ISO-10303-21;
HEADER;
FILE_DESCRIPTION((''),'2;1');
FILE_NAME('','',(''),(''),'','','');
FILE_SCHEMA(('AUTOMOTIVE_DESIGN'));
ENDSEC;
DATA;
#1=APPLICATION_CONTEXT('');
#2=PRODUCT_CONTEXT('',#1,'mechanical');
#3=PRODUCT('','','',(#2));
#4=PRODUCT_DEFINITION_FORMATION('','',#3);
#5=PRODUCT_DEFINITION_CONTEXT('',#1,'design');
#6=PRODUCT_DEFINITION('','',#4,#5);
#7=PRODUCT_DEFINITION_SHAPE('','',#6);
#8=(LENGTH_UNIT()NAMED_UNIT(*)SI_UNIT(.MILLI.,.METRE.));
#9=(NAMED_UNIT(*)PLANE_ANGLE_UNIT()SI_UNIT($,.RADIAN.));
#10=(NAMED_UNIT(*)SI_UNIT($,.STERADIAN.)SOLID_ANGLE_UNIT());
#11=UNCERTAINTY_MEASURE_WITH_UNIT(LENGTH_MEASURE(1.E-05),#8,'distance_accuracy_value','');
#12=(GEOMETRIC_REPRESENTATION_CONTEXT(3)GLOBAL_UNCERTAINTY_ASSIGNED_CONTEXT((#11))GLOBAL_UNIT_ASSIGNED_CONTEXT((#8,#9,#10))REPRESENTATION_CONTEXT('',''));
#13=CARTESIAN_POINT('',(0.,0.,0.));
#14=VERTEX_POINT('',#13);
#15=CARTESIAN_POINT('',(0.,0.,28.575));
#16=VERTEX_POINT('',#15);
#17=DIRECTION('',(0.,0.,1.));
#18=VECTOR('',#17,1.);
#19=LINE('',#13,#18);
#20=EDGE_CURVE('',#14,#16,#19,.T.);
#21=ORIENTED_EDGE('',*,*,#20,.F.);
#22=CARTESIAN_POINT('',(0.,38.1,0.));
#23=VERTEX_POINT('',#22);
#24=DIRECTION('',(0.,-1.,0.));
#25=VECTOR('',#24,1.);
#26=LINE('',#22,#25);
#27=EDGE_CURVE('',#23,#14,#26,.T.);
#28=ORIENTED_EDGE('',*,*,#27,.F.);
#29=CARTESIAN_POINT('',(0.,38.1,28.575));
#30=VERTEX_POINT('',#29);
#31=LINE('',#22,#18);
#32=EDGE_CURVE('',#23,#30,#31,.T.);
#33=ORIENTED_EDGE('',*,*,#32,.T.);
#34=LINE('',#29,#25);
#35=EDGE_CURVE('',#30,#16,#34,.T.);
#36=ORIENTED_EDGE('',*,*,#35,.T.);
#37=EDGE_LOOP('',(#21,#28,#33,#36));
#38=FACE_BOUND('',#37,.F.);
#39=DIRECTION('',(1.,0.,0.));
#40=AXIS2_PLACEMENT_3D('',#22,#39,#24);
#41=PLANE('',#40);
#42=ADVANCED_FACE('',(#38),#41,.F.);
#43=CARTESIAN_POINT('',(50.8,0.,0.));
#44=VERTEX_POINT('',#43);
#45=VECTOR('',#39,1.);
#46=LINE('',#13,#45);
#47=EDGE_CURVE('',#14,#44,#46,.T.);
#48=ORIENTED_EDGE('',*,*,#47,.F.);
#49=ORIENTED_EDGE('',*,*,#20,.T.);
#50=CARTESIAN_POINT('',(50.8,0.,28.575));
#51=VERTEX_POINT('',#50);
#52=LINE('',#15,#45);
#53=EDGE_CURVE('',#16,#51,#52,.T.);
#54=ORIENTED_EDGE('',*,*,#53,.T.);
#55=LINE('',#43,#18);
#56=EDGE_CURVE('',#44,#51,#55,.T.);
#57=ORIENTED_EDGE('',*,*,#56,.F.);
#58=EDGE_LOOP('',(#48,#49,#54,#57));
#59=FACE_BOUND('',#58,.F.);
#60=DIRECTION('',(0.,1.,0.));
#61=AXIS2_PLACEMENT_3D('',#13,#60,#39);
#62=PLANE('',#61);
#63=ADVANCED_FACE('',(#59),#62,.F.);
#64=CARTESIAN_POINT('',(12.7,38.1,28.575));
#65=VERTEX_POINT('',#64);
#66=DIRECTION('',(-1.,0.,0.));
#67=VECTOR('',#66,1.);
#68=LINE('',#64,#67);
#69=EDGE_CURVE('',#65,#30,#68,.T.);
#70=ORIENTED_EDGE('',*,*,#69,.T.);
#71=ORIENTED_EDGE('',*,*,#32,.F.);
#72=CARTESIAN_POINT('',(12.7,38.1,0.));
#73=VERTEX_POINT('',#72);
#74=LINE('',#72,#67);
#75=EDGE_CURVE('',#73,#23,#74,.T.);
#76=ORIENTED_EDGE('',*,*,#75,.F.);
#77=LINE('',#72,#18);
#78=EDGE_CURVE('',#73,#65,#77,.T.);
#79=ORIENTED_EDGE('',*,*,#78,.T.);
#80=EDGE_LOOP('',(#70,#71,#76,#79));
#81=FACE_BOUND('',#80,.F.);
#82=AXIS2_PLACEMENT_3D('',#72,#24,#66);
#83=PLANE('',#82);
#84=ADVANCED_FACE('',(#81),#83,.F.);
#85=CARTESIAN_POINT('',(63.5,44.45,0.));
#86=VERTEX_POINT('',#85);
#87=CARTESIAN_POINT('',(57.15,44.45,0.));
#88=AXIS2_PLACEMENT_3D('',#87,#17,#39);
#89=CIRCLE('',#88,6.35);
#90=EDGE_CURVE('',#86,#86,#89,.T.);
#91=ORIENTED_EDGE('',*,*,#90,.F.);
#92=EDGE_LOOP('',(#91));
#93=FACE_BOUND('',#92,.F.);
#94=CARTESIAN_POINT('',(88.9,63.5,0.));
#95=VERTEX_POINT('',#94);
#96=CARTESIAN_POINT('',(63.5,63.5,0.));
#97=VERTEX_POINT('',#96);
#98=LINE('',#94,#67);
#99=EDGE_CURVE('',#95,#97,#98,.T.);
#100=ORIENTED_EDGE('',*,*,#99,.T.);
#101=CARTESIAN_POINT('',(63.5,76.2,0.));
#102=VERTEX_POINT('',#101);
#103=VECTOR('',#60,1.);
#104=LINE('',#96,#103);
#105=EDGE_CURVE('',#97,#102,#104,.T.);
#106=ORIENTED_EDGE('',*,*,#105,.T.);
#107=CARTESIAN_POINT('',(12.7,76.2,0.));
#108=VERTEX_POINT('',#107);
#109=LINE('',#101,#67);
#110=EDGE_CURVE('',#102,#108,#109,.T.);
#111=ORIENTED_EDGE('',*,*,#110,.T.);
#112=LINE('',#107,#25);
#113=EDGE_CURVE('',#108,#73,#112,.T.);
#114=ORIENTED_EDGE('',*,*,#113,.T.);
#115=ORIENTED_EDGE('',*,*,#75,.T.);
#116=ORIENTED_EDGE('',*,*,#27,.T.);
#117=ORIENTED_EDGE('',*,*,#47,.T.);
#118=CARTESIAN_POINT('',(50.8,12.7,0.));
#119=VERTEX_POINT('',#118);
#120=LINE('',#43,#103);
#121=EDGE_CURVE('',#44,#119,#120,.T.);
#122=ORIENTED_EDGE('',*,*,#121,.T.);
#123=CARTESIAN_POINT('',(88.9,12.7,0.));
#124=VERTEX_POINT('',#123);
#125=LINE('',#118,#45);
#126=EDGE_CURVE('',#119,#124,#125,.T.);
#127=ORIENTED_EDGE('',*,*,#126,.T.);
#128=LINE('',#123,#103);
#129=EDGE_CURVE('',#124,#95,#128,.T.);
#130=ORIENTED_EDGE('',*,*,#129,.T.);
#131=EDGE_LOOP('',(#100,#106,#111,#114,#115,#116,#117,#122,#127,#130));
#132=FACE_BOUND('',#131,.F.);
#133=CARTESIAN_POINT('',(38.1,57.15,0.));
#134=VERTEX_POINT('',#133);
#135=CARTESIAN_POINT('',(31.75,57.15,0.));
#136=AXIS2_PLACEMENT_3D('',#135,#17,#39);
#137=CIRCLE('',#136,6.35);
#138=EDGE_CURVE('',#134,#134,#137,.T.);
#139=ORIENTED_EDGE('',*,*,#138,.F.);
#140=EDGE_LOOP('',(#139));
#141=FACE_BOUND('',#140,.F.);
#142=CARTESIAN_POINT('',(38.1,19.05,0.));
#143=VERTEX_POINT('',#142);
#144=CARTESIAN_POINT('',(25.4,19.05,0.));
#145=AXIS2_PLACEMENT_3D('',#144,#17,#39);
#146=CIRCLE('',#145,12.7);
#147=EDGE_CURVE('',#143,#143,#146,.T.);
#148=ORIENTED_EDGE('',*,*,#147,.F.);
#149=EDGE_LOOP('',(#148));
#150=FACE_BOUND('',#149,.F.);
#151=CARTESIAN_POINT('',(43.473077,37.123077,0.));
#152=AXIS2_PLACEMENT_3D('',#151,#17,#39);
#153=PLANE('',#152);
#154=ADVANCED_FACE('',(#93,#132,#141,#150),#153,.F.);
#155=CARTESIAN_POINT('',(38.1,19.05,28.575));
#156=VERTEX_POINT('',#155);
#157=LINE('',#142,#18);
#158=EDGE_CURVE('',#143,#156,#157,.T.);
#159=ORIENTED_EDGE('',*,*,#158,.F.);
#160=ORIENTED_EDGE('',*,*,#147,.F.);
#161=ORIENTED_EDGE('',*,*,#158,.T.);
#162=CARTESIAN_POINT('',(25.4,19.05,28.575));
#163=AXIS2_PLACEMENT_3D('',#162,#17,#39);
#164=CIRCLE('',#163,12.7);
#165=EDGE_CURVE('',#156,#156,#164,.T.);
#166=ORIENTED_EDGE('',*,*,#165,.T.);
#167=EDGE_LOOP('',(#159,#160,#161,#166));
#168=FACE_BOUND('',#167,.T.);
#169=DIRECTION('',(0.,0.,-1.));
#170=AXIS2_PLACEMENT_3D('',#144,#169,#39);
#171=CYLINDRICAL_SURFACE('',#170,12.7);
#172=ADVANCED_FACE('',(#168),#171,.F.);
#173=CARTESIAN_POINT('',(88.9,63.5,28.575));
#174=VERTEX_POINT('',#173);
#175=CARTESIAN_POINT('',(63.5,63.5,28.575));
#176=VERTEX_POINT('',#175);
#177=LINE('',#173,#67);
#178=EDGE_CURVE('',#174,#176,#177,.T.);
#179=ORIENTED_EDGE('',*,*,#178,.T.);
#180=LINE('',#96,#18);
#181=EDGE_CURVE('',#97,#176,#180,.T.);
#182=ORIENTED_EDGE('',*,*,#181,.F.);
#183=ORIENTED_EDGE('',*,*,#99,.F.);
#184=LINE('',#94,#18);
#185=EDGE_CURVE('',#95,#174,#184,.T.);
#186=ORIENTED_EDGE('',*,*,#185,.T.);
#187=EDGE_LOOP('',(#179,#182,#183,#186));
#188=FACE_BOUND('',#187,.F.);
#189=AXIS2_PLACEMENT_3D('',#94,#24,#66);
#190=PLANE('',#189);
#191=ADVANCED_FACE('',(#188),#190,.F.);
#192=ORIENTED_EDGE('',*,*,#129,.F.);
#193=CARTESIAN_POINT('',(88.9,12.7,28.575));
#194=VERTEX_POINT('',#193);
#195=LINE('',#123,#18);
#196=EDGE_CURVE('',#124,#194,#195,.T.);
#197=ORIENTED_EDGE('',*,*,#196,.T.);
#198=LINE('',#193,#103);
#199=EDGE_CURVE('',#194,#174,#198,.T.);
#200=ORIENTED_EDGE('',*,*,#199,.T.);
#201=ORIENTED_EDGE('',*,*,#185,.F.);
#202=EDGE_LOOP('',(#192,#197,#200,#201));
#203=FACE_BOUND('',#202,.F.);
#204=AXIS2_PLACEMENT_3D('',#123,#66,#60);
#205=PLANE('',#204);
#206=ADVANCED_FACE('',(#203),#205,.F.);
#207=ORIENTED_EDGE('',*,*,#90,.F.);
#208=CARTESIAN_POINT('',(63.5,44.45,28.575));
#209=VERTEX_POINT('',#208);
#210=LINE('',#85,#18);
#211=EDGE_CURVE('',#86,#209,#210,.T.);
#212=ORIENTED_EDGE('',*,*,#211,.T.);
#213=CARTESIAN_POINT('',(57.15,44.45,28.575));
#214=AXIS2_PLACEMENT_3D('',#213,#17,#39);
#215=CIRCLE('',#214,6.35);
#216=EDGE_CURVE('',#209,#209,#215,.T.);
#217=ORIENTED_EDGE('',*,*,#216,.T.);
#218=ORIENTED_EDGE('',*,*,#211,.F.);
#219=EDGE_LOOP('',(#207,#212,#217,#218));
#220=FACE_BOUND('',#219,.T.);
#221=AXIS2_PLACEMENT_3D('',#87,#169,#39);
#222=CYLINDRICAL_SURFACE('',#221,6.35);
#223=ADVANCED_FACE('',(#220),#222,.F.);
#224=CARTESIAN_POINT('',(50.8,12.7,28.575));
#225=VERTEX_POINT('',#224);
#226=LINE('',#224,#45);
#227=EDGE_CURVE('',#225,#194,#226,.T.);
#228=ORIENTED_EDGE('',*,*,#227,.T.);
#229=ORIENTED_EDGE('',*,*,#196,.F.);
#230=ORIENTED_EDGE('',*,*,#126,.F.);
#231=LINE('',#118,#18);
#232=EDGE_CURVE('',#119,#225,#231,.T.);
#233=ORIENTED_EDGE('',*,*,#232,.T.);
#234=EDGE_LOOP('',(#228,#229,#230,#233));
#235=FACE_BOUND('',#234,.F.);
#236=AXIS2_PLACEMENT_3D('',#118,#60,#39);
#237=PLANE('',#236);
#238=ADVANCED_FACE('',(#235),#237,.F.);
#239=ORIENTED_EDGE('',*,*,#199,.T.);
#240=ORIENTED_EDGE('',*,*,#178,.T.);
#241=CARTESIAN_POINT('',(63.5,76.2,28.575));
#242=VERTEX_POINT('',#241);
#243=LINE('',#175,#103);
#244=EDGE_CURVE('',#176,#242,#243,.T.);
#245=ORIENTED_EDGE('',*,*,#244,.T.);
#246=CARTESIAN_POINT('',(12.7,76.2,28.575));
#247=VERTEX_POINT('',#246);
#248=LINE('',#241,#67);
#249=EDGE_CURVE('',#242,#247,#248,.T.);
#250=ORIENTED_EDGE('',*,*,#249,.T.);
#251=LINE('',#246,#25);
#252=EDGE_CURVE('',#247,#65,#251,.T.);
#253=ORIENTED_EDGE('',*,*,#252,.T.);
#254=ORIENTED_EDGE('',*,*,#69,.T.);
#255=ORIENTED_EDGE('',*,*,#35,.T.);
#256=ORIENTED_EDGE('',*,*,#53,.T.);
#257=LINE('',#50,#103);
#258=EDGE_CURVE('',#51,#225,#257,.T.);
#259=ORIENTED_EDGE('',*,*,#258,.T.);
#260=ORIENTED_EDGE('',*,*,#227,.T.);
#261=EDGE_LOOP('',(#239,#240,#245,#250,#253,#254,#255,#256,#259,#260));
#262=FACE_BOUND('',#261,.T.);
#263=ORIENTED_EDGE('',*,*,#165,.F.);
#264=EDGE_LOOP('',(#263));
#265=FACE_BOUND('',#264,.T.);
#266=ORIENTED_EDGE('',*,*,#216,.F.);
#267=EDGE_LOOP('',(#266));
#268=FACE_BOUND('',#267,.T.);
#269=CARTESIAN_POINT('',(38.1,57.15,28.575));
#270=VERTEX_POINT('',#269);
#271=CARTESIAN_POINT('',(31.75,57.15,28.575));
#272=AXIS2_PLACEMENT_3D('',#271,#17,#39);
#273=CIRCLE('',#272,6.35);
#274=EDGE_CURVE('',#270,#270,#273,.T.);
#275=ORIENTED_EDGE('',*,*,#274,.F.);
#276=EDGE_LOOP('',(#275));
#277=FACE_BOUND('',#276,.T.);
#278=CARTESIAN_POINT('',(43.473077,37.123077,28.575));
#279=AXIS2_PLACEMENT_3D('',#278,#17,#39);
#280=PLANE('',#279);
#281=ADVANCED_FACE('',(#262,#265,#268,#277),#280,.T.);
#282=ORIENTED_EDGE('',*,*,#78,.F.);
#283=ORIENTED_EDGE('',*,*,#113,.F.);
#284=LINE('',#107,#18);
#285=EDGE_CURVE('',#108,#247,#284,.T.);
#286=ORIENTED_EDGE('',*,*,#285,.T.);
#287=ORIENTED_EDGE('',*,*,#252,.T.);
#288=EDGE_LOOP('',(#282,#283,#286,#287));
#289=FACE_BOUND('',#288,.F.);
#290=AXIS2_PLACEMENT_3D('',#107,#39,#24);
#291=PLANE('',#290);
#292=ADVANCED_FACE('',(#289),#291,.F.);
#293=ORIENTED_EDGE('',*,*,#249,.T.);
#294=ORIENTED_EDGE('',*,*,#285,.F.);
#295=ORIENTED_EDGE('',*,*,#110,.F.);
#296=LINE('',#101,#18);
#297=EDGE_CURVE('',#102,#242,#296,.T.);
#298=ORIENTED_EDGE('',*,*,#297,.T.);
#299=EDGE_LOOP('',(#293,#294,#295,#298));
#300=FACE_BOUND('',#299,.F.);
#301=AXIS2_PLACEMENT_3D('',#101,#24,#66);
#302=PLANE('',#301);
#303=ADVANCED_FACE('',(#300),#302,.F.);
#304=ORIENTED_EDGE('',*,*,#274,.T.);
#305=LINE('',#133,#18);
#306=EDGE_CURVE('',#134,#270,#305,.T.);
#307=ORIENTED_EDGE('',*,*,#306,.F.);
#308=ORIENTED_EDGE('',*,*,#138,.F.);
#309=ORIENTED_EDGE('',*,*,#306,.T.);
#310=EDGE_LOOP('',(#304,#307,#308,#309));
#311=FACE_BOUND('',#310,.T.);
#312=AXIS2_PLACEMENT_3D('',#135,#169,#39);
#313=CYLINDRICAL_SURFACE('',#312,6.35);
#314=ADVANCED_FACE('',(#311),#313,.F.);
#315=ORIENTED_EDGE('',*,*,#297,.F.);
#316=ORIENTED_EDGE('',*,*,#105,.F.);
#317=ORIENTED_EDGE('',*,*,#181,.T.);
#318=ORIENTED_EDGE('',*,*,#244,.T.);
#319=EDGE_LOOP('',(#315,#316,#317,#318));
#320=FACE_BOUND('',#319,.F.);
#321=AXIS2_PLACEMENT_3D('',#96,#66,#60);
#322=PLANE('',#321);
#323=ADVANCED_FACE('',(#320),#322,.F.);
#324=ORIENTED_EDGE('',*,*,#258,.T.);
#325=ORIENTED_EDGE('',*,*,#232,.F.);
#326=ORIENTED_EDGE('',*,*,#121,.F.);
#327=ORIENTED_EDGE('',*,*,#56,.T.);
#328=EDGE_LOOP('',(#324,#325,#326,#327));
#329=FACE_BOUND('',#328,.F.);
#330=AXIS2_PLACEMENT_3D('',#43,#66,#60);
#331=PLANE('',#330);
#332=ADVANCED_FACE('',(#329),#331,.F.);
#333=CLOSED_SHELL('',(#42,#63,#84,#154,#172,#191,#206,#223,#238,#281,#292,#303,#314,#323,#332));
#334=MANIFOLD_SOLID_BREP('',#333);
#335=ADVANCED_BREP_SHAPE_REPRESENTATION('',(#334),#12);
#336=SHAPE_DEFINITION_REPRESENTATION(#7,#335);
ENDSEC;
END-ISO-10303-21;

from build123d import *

# Parameters (mm, degrees)
F0_R     = 12.7
F0_R_2   = 6.35
F1_DEPTH = 28.575


with BuildPart() as f1:
    # F0 (on Top) → F1 (new body)
    with BuildSketch(Plane.XY):
        Polygon((0, 38.1), (0, 0), (50.8, 0), (50.8, 12.7), (88.9, 12.7), (88.9, 63.5), (63.5, 63.5), (63.5, 76.2), (12.7, 76.2), (12.7, 38.1), align=None)
        with Locations((25.4, 19.05)):
            Circle(F0_R, mode=Mode.SUBTRACT)
        with Locations((31.75, 57.15)):
            Circle(F0_R_2, mode=Mode.SUBTRACT)
        with Locations((57.15, 44.45)):
            Circle(F0_R_2, mode=Mode.SUBTRACT)
    extrude(amount=F1_DEPTH)


solid = f1.part
